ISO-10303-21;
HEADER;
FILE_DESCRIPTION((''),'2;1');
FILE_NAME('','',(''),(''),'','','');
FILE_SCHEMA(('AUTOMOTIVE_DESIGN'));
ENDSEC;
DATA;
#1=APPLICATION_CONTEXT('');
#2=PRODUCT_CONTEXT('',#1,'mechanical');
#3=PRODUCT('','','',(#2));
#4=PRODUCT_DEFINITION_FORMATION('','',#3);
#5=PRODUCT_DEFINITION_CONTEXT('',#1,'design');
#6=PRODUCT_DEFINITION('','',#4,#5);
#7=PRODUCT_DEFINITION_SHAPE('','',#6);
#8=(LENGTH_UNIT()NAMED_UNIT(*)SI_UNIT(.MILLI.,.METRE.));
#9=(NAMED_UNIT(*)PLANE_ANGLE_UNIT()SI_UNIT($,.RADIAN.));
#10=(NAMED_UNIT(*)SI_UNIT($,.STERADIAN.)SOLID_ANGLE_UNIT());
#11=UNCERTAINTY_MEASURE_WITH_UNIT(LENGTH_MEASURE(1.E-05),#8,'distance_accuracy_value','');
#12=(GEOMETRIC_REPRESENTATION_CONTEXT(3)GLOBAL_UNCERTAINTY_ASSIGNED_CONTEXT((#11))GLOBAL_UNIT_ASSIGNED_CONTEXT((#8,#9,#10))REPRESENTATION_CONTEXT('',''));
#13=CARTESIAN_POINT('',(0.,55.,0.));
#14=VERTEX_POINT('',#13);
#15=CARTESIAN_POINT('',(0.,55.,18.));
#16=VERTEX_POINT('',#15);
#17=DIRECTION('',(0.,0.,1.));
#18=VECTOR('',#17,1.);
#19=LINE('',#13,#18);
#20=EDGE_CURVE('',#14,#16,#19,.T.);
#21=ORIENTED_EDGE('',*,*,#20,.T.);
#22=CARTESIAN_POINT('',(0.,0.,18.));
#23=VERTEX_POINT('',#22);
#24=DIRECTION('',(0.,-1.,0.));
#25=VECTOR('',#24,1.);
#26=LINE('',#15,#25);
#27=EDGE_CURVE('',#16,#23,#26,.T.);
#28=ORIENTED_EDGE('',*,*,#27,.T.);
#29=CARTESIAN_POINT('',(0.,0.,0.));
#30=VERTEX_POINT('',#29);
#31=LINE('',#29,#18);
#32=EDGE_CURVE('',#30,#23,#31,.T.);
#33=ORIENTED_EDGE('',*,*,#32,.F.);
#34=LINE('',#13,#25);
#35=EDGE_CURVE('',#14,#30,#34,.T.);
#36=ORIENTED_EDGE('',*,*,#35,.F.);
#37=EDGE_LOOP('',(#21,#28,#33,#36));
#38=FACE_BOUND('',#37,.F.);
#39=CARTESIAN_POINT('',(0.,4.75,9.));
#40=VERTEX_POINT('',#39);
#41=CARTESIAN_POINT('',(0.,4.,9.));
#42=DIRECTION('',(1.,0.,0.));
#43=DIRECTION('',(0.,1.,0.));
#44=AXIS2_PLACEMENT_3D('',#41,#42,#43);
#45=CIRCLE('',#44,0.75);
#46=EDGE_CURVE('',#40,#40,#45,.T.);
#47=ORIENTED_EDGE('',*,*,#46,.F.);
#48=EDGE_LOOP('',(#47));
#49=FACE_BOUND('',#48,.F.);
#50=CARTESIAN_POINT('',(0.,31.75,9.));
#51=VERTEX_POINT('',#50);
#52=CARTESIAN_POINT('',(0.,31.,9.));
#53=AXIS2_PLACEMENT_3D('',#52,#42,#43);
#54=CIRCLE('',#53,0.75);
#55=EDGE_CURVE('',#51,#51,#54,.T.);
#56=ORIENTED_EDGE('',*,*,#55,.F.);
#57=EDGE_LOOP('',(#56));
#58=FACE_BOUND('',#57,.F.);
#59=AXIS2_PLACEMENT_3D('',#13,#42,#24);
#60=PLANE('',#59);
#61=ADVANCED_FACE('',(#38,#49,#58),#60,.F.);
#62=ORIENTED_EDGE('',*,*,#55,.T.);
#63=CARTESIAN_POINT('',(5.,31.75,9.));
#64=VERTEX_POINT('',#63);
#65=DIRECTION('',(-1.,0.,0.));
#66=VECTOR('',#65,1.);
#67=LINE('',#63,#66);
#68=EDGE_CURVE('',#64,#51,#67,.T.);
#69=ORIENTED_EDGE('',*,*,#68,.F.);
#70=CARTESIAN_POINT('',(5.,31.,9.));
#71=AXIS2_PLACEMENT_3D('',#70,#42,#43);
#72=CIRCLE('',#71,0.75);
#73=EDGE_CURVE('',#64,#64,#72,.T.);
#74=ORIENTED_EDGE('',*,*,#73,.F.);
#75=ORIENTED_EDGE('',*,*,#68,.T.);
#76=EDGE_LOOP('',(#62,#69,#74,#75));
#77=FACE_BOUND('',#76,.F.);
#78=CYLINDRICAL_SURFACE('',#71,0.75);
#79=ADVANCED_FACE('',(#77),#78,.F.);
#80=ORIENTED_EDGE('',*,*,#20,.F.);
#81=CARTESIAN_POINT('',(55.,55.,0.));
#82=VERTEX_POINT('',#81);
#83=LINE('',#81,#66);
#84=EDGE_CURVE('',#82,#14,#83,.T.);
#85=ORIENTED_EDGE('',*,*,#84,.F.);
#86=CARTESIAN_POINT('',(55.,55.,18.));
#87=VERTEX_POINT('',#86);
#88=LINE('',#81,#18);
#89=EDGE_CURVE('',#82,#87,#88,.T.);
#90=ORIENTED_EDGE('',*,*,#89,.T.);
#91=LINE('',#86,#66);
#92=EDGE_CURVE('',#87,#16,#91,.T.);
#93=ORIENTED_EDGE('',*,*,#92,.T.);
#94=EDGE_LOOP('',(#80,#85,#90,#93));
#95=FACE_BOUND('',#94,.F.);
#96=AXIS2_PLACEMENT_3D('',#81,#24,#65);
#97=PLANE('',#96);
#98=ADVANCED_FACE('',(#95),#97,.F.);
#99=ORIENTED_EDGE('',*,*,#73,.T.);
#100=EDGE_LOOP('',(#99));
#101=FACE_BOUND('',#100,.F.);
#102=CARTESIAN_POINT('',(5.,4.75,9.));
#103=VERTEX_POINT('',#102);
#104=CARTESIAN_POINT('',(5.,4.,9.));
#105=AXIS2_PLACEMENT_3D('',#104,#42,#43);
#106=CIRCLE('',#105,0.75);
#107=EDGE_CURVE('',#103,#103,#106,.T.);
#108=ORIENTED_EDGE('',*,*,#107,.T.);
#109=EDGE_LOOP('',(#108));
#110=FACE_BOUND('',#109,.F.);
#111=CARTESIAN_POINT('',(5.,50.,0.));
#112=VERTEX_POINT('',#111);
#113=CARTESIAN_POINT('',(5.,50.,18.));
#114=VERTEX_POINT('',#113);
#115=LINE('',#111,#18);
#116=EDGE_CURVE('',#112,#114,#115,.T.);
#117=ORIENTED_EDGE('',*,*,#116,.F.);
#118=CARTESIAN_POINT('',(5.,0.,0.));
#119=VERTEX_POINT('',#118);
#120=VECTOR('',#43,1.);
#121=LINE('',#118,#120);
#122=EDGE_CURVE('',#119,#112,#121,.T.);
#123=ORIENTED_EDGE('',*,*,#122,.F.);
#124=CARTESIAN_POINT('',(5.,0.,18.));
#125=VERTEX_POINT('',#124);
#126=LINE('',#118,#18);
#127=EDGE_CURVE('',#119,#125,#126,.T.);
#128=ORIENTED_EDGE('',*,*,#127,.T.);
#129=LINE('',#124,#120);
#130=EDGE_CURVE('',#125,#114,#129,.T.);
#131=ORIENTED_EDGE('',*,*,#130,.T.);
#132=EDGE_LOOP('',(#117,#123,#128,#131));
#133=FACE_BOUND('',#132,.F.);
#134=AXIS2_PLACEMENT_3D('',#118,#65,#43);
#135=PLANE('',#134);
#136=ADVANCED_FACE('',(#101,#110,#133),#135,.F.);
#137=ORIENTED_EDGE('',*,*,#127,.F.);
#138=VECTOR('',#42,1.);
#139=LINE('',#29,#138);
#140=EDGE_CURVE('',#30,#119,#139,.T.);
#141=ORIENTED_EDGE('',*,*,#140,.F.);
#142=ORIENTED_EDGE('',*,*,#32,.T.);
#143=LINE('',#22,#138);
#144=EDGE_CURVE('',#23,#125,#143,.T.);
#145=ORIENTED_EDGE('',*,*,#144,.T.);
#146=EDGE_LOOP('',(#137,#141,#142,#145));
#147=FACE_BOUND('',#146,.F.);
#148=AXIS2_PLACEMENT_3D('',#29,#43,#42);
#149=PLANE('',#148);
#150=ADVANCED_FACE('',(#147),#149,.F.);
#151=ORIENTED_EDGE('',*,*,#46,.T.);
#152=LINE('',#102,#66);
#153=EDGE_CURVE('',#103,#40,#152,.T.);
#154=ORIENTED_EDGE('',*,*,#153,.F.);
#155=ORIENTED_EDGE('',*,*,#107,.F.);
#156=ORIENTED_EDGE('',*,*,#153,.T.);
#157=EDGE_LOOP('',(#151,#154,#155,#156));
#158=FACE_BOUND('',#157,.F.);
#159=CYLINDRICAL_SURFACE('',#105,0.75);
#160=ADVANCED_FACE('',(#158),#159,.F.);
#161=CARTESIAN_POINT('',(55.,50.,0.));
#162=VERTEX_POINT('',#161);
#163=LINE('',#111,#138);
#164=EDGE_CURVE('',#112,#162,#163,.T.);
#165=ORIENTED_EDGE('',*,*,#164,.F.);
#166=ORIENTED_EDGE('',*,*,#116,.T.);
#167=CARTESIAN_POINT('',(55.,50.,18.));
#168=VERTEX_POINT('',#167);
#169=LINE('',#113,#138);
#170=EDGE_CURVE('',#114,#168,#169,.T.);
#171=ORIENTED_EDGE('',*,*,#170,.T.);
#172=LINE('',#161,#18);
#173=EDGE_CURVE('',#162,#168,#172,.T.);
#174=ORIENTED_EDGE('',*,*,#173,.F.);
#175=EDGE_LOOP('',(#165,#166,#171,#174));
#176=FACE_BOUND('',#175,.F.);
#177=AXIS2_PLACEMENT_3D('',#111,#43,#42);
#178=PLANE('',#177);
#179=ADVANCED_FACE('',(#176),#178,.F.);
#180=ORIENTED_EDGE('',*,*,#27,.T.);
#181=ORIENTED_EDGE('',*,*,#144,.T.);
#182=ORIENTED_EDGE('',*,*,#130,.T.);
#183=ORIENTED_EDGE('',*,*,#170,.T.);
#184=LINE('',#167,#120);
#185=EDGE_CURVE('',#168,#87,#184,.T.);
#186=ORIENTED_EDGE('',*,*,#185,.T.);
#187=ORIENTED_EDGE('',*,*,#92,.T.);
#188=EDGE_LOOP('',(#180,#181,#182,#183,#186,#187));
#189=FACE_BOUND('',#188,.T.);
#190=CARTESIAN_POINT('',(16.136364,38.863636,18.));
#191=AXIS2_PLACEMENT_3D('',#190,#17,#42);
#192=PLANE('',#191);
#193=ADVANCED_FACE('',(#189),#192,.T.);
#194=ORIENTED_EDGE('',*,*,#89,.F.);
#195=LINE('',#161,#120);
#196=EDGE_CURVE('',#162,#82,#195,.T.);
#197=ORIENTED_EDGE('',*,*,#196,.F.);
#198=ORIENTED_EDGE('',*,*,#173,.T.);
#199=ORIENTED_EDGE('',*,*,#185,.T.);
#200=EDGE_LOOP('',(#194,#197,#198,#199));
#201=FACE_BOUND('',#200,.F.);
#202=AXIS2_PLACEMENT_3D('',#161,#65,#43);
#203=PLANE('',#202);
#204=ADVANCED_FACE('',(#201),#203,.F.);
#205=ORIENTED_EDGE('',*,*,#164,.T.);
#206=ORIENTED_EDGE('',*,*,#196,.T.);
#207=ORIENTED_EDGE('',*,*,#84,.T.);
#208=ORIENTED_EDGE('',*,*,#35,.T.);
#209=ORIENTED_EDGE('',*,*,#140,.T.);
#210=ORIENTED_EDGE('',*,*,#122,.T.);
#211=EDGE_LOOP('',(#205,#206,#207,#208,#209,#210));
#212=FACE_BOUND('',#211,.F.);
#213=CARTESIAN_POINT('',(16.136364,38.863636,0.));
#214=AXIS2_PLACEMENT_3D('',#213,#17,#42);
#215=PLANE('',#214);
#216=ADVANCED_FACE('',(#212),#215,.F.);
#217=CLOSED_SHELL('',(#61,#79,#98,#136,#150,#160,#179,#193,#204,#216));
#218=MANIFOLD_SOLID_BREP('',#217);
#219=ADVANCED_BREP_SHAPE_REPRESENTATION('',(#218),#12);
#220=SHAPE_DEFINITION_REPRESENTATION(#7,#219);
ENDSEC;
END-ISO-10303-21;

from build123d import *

# Parameters (mm, degrees)
PAD_DEPTH    = 18
SKETCH001_R  = 0.75
POCKET_DEPTH = 5.001


with BuildPart() as part:
    # Sketch → Pad (new body)
    with BuildSketch(Plane.XY):
        Polygon((5, 0), (5, 50), (55, 50), (55, 55), (0, 55), (0, 0), align=None)
    extrude(amount=PAD_DEPTH)

    # Sketch001 (on Face2 of Pad) → Pocket (cut, through all)
    with BuildSketch(Plane.YZ.offset(5)):
        with Locations((4, 9)):
            Circle(SKETCH001_R)
        with Locations((31, 9)):
            Circle(SKETCH001_R)
    extrude(amount=-POCKET_DEPTH, mode=Mode.SUBTRACT)


solid = part.part
